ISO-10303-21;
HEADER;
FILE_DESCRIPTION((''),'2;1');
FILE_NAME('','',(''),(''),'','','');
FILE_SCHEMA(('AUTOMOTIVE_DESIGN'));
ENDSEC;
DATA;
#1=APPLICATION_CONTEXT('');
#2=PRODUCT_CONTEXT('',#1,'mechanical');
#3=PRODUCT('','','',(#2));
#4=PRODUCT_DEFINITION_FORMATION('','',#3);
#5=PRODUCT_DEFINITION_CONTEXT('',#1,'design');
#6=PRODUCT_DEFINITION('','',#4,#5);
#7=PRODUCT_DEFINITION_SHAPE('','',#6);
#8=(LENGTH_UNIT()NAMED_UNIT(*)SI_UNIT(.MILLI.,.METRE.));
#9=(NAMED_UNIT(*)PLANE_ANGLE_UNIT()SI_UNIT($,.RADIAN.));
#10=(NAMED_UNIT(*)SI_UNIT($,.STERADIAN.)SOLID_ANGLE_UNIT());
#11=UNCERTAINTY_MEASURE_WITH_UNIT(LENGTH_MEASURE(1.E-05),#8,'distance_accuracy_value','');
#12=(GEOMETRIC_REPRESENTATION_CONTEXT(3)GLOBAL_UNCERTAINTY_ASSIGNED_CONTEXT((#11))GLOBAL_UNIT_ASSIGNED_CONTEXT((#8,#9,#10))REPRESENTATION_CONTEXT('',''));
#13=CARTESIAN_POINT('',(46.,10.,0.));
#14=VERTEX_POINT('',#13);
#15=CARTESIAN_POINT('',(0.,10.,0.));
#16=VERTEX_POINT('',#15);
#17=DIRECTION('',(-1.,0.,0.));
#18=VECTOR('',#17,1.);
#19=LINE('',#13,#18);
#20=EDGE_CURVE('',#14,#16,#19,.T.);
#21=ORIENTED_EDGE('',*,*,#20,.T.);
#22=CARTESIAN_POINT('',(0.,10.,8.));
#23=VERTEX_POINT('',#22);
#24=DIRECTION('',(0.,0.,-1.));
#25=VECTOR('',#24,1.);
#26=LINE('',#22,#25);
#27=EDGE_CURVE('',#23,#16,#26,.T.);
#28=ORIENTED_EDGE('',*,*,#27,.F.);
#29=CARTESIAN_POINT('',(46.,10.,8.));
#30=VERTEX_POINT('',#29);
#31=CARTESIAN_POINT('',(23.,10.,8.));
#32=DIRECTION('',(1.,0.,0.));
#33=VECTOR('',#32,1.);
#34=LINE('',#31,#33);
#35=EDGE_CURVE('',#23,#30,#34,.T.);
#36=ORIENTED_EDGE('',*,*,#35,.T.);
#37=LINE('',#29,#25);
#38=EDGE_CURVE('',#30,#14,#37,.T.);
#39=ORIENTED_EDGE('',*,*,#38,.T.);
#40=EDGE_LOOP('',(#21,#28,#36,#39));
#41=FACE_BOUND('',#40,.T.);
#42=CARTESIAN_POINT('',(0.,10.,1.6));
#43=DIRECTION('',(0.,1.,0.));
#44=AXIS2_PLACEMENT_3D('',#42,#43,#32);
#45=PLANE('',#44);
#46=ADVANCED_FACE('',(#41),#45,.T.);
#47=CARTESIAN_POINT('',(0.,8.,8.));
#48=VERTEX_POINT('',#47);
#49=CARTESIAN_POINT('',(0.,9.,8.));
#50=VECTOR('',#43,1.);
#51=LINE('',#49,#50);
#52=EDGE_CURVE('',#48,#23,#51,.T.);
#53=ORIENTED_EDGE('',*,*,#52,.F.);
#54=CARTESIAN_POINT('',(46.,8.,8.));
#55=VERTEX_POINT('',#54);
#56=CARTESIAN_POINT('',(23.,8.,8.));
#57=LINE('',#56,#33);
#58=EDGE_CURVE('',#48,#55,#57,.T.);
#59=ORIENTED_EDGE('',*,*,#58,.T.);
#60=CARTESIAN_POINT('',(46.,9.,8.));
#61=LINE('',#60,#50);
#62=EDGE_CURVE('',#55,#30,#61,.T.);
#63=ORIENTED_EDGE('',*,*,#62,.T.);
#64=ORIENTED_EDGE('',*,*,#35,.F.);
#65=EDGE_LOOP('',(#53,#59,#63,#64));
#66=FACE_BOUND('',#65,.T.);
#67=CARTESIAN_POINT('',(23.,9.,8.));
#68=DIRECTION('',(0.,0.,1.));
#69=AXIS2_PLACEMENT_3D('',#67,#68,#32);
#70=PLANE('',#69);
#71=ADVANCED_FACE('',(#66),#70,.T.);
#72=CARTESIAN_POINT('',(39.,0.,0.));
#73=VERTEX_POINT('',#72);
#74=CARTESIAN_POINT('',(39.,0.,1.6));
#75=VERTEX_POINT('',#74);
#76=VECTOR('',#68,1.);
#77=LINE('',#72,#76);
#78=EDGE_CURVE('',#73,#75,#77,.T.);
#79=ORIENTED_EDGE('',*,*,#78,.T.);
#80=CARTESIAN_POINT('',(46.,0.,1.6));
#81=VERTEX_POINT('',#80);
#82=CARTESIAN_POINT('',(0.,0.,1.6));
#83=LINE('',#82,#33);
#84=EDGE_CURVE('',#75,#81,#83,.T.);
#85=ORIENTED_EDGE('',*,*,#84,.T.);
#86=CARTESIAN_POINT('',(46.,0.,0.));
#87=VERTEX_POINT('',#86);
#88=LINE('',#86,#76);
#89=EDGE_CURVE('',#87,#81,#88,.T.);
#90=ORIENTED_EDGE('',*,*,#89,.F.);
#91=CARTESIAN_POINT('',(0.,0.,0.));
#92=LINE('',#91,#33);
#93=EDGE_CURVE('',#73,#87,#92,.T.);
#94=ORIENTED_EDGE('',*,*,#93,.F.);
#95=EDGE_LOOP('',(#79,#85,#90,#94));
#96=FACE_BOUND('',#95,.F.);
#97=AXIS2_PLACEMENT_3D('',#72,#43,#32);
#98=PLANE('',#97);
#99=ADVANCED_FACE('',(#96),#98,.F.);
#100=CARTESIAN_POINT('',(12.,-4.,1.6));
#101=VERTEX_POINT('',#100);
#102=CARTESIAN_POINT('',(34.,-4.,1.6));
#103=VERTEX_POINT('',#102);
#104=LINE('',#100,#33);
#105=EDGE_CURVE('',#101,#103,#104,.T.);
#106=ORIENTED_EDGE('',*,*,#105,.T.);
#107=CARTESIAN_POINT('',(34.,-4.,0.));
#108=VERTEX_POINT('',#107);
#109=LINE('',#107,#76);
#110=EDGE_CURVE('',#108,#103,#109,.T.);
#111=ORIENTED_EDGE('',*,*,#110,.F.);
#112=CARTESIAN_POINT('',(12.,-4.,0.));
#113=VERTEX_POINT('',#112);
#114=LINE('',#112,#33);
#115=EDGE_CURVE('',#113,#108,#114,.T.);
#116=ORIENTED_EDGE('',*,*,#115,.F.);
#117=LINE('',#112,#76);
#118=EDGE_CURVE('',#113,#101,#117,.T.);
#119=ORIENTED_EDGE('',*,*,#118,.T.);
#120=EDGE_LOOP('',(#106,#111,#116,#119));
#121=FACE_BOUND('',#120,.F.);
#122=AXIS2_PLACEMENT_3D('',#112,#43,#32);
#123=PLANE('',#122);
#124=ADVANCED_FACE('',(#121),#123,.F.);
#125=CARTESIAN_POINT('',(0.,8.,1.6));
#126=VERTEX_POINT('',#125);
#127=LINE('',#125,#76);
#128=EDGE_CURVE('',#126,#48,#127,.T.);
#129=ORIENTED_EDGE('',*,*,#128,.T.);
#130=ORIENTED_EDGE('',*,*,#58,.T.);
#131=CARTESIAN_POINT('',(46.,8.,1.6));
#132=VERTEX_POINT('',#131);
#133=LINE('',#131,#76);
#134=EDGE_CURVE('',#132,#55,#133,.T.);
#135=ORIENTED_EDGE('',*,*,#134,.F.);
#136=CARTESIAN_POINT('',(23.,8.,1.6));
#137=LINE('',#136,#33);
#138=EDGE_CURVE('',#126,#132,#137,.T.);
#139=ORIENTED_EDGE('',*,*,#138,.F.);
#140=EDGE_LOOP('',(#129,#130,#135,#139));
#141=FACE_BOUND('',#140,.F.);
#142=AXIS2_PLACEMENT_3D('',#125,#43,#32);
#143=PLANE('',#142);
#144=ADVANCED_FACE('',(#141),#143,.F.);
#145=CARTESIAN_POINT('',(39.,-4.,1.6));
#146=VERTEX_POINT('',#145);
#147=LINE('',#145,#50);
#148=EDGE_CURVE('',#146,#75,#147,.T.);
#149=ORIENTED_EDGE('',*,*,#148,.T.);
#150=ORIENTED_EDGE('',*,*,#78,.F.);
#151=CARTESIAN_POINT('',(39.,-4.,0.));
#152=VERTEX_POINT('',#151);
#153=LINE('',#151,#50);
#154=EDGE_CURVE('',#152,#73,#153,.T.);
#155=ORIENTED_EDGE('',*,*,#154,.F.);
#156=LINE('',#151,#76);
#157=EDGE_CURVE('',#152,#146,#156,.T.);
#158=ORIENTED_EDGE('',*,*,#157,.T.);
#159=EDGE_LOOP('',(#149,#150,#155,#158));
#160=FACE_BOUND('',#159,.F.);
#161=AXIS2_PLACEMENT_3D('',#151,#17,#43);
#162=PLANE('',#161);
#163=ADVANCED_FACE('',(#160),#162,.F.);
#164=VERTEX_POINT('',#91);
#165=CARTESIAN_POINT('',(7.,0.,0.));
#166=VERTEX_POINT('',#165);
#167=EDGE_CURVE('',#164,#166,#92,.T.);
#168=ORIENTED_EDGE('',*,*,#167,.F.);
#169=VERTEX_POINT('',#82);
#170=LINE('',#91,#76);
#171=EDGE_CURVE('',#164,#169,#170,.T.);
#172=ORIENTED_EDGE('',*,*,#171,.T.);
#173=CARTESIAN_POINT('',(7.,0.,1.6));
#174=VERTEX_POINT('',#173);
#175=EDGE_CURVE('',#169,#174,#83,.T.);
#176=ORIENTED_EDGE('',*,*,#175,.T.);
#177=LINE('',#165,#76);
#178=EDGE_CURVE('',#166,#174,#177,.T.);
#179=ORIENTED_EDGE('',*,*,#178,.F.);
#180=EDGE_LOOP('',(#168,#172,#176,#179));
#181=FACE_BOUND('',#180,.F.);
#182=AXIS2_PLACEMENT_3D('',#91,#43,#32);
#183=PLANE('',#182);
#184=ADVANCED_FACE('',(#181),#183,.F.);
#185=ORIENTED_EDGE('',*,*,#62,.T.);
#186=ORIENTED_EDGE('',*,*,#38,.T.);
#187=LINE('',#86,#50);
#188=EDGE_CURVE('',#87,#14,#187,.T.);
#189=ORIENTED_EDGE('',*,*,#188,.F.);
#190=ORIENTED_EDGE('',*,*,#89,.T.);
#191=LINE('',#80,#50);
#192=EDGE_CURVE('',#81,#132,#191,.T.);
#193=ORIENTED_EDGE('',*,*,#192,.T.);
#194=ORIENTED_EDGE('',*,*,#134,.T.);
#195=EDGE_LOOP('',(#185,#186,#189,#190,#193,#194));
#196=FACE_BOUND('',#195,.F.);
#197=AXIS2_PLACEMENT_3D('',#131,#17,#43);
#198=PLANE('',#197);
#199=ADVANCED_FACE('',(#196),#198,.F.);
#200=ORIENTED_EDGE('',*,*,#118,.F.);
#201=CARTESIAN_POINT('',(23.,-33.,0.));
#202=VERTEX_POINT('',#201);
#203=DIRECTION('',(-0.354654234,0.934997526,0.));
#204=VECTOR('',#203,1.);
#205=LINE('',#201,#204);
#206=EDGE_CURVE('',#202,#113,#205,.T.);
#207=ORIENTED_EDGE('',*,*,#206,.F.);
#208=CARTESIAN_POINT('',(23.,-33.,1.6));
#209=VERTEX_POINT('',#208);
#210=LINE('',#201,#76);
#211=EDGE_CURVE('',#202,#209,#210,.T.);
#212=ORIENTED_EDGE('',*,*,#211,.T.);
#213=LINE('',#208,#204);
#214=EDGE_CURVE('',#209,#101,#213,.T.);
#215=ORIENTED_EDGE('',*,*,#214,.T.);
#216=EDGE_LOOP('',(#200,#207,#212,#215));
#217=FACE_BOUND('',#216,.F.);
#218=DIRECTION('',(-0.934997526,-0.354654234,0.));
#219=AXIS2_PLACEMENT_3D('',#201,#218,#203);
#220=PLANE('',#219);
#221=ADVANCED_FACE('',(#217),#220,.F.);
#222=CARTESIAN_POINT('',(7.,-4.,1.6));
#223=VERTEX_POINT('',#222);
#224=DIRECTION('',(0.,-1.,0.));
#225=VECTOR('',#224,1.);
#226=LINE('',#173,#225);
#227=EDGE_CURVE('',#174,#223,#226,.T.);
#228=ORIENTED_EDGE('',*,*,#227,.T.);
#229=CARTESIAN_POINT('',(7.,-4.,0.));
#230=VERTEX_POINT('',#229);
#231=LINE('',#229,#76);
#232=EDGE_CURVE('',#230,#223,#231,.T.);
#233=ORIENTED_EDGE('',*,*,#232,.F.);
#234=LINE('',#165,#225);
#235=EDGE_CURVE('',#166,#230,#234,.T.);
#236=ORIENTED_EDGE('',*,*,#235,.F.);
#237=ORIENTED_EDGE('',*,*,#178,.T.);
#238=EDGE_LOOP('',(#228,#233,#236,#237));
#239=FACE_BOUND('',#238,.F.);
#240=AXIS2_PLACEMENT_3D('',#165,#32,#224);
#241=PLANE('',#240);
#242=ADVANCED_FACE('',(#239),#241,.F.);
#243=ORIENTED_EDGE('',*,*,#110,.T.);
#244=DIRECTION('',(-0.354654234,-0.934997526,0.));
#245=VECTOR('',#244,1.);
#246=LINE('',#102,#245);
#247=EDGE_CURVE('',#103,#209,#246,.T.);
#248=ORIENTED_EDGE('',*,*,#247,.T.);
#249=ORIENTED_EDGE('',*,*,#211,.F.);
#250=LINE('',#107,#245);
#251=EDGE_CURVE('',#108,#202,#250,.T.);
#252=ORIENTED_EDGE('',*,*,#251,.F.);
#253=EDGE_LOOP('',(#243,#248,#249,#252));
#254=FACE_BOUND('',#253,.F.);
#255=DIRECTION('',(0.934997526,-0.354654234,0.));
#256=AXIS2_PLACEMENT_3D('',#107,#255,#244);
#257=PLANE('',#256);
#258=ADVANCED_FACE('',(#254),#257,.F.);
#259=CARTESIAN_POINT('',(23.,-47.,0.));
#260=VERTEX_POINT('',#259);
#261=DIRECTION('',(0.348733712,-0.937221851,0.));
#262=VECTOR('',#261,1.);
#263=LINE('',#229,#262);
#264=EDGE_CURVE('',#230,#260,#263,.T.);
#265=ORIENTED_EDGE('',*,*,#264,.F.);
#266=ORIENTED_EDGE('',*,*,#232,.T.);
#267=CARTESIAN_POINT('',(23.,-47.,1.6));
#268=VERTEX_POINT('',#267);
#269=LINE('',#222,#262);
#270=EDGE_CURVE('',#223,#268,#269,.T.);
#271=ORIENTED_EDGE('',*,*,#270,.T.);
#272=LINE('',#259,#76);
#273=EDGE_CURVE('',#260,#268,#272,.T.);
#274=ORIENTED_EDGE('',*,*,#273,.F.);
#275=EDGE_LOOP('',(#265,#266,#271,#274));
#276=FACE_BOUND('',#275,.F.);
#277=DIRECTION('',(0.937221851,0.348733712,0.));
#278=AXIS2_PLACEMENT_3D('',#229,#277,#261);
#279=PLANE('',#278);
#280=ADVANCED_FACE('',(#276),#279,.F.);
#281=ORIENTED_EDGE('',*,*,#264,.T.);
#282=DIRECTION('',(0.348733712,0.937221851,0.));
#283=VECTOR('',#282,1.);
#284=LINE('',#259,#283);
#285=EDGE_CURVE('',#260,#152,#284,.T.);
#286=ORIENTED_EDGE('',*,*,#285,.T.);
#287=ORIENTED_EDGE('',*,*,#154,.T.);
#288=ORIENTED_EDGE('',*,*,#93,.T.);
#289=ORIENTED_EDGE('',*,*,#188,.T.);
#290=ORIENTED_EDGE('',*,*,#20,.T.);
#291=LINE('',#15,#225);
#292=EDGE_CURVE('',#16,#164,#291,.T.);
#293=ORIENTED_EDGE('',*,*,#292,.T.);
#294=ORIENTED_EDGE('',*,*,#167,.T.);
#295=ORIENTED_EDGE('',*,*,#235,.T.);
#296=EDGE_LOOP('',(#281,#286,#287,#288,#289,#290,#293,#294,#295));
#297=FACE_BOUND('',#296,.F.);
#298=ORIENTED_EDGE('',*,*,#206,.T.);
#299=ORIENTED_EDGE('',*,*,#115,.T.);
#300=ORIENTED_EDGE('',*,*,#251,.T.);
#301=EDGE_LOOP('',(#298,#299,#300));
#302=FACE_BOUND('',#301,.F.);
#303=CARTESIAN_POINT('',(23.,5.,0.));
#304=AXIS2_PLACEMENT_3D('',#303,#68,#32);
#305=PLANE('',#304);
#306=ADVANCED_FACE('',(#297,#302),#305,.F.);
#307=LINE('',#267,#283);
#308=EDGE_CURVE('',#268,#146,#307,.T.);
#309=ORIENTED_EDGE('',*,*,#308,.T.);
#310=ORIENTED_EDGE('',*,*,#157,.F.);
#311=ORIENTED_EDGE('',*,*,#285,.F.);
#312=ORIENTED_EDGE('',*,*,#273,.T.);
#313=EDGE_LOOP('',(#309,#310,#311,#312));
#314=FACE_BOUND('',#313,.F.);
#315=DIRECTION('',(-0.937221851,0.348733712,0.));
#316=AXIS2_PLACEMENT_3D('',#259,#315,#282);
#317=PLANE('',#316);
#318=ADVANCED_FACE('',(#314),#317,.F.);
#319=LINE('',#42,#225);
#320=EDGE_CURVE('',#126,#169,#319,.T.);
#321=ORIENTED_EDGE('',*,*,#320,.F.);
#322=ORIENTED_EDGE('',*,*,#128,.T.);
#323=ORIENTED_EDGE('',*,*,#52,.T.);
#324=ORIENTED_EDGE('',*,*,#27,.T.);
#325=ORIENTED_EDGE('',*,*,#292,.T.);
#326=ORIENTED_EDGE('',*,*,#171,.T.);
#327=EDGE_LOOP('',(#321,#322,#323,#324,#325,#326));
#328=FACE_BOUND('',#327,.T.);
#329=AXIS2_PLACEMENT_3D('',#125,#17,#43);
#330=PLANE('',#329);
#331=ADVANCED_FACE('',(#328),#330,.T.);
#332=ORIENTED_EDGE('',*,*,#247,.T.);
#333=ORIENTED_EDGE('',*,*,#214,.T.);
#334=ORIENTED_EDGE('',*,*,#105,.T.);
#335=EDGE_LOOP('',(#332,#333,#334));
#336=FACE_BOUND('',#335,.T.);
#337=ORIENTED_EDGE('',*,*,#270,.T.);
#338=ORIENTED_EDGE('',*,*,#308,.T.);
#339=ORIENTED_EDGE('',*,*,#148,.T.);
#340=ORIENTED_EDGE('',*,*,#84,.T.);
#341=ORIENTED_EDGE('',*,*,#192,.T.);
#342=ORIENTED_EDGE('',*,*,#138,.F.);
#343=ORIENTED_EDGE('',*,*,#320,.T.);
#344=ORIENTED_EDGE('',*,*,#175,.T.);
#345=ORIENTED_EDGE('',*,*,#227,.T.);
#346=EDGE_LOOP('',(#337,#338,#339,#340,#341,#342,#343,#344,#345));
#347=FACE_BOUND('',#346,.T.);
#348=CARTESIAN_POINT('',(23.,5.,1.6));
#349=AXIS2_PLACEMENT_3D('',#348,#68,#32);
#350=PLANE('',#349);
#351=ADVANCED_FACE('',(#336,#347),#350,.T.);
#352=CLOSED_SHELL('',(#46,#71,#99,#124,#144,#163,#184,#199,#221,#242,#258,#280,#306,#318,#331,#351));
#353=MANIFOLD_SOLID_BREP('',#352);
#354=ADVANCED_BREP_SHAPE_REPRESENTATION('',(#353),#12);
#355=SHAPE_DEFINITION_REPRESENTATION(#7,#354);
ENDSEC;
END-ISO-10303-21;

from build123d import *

# Parameters (mm, degrees)
F1_DEPTH = 1.6
F2_W     = 46
F2_H     = 2
F3_DEPTH = 6.4


with BuildPart() as f1:
    # F0 (on Top) → F1 (new body)
    with BuildSketch(Plane.XY):
        Polygon((0, 10), (0, 0), (7, 0), (39, 0), (46, 0), (46, 10), align=None)
        Polygon((39, 0), (7, 0), (7, -4), (23, -47), (39, -4), align=None)
        Polygon((23, -33), (12, -4), (34, -4), align=None, mode=Mode.SUBTRACT)
    extrude(amount=F1_DEPTH)

    # F2 (on face) → F3 (join)
    with BuildSketch(Plane.XY.offset(1.6)):
        with Locations((23, 9)):
            Rectangle(F2_W, F2_H)
    extrude(amount=F3_DEPTH)


solid = f1.part
